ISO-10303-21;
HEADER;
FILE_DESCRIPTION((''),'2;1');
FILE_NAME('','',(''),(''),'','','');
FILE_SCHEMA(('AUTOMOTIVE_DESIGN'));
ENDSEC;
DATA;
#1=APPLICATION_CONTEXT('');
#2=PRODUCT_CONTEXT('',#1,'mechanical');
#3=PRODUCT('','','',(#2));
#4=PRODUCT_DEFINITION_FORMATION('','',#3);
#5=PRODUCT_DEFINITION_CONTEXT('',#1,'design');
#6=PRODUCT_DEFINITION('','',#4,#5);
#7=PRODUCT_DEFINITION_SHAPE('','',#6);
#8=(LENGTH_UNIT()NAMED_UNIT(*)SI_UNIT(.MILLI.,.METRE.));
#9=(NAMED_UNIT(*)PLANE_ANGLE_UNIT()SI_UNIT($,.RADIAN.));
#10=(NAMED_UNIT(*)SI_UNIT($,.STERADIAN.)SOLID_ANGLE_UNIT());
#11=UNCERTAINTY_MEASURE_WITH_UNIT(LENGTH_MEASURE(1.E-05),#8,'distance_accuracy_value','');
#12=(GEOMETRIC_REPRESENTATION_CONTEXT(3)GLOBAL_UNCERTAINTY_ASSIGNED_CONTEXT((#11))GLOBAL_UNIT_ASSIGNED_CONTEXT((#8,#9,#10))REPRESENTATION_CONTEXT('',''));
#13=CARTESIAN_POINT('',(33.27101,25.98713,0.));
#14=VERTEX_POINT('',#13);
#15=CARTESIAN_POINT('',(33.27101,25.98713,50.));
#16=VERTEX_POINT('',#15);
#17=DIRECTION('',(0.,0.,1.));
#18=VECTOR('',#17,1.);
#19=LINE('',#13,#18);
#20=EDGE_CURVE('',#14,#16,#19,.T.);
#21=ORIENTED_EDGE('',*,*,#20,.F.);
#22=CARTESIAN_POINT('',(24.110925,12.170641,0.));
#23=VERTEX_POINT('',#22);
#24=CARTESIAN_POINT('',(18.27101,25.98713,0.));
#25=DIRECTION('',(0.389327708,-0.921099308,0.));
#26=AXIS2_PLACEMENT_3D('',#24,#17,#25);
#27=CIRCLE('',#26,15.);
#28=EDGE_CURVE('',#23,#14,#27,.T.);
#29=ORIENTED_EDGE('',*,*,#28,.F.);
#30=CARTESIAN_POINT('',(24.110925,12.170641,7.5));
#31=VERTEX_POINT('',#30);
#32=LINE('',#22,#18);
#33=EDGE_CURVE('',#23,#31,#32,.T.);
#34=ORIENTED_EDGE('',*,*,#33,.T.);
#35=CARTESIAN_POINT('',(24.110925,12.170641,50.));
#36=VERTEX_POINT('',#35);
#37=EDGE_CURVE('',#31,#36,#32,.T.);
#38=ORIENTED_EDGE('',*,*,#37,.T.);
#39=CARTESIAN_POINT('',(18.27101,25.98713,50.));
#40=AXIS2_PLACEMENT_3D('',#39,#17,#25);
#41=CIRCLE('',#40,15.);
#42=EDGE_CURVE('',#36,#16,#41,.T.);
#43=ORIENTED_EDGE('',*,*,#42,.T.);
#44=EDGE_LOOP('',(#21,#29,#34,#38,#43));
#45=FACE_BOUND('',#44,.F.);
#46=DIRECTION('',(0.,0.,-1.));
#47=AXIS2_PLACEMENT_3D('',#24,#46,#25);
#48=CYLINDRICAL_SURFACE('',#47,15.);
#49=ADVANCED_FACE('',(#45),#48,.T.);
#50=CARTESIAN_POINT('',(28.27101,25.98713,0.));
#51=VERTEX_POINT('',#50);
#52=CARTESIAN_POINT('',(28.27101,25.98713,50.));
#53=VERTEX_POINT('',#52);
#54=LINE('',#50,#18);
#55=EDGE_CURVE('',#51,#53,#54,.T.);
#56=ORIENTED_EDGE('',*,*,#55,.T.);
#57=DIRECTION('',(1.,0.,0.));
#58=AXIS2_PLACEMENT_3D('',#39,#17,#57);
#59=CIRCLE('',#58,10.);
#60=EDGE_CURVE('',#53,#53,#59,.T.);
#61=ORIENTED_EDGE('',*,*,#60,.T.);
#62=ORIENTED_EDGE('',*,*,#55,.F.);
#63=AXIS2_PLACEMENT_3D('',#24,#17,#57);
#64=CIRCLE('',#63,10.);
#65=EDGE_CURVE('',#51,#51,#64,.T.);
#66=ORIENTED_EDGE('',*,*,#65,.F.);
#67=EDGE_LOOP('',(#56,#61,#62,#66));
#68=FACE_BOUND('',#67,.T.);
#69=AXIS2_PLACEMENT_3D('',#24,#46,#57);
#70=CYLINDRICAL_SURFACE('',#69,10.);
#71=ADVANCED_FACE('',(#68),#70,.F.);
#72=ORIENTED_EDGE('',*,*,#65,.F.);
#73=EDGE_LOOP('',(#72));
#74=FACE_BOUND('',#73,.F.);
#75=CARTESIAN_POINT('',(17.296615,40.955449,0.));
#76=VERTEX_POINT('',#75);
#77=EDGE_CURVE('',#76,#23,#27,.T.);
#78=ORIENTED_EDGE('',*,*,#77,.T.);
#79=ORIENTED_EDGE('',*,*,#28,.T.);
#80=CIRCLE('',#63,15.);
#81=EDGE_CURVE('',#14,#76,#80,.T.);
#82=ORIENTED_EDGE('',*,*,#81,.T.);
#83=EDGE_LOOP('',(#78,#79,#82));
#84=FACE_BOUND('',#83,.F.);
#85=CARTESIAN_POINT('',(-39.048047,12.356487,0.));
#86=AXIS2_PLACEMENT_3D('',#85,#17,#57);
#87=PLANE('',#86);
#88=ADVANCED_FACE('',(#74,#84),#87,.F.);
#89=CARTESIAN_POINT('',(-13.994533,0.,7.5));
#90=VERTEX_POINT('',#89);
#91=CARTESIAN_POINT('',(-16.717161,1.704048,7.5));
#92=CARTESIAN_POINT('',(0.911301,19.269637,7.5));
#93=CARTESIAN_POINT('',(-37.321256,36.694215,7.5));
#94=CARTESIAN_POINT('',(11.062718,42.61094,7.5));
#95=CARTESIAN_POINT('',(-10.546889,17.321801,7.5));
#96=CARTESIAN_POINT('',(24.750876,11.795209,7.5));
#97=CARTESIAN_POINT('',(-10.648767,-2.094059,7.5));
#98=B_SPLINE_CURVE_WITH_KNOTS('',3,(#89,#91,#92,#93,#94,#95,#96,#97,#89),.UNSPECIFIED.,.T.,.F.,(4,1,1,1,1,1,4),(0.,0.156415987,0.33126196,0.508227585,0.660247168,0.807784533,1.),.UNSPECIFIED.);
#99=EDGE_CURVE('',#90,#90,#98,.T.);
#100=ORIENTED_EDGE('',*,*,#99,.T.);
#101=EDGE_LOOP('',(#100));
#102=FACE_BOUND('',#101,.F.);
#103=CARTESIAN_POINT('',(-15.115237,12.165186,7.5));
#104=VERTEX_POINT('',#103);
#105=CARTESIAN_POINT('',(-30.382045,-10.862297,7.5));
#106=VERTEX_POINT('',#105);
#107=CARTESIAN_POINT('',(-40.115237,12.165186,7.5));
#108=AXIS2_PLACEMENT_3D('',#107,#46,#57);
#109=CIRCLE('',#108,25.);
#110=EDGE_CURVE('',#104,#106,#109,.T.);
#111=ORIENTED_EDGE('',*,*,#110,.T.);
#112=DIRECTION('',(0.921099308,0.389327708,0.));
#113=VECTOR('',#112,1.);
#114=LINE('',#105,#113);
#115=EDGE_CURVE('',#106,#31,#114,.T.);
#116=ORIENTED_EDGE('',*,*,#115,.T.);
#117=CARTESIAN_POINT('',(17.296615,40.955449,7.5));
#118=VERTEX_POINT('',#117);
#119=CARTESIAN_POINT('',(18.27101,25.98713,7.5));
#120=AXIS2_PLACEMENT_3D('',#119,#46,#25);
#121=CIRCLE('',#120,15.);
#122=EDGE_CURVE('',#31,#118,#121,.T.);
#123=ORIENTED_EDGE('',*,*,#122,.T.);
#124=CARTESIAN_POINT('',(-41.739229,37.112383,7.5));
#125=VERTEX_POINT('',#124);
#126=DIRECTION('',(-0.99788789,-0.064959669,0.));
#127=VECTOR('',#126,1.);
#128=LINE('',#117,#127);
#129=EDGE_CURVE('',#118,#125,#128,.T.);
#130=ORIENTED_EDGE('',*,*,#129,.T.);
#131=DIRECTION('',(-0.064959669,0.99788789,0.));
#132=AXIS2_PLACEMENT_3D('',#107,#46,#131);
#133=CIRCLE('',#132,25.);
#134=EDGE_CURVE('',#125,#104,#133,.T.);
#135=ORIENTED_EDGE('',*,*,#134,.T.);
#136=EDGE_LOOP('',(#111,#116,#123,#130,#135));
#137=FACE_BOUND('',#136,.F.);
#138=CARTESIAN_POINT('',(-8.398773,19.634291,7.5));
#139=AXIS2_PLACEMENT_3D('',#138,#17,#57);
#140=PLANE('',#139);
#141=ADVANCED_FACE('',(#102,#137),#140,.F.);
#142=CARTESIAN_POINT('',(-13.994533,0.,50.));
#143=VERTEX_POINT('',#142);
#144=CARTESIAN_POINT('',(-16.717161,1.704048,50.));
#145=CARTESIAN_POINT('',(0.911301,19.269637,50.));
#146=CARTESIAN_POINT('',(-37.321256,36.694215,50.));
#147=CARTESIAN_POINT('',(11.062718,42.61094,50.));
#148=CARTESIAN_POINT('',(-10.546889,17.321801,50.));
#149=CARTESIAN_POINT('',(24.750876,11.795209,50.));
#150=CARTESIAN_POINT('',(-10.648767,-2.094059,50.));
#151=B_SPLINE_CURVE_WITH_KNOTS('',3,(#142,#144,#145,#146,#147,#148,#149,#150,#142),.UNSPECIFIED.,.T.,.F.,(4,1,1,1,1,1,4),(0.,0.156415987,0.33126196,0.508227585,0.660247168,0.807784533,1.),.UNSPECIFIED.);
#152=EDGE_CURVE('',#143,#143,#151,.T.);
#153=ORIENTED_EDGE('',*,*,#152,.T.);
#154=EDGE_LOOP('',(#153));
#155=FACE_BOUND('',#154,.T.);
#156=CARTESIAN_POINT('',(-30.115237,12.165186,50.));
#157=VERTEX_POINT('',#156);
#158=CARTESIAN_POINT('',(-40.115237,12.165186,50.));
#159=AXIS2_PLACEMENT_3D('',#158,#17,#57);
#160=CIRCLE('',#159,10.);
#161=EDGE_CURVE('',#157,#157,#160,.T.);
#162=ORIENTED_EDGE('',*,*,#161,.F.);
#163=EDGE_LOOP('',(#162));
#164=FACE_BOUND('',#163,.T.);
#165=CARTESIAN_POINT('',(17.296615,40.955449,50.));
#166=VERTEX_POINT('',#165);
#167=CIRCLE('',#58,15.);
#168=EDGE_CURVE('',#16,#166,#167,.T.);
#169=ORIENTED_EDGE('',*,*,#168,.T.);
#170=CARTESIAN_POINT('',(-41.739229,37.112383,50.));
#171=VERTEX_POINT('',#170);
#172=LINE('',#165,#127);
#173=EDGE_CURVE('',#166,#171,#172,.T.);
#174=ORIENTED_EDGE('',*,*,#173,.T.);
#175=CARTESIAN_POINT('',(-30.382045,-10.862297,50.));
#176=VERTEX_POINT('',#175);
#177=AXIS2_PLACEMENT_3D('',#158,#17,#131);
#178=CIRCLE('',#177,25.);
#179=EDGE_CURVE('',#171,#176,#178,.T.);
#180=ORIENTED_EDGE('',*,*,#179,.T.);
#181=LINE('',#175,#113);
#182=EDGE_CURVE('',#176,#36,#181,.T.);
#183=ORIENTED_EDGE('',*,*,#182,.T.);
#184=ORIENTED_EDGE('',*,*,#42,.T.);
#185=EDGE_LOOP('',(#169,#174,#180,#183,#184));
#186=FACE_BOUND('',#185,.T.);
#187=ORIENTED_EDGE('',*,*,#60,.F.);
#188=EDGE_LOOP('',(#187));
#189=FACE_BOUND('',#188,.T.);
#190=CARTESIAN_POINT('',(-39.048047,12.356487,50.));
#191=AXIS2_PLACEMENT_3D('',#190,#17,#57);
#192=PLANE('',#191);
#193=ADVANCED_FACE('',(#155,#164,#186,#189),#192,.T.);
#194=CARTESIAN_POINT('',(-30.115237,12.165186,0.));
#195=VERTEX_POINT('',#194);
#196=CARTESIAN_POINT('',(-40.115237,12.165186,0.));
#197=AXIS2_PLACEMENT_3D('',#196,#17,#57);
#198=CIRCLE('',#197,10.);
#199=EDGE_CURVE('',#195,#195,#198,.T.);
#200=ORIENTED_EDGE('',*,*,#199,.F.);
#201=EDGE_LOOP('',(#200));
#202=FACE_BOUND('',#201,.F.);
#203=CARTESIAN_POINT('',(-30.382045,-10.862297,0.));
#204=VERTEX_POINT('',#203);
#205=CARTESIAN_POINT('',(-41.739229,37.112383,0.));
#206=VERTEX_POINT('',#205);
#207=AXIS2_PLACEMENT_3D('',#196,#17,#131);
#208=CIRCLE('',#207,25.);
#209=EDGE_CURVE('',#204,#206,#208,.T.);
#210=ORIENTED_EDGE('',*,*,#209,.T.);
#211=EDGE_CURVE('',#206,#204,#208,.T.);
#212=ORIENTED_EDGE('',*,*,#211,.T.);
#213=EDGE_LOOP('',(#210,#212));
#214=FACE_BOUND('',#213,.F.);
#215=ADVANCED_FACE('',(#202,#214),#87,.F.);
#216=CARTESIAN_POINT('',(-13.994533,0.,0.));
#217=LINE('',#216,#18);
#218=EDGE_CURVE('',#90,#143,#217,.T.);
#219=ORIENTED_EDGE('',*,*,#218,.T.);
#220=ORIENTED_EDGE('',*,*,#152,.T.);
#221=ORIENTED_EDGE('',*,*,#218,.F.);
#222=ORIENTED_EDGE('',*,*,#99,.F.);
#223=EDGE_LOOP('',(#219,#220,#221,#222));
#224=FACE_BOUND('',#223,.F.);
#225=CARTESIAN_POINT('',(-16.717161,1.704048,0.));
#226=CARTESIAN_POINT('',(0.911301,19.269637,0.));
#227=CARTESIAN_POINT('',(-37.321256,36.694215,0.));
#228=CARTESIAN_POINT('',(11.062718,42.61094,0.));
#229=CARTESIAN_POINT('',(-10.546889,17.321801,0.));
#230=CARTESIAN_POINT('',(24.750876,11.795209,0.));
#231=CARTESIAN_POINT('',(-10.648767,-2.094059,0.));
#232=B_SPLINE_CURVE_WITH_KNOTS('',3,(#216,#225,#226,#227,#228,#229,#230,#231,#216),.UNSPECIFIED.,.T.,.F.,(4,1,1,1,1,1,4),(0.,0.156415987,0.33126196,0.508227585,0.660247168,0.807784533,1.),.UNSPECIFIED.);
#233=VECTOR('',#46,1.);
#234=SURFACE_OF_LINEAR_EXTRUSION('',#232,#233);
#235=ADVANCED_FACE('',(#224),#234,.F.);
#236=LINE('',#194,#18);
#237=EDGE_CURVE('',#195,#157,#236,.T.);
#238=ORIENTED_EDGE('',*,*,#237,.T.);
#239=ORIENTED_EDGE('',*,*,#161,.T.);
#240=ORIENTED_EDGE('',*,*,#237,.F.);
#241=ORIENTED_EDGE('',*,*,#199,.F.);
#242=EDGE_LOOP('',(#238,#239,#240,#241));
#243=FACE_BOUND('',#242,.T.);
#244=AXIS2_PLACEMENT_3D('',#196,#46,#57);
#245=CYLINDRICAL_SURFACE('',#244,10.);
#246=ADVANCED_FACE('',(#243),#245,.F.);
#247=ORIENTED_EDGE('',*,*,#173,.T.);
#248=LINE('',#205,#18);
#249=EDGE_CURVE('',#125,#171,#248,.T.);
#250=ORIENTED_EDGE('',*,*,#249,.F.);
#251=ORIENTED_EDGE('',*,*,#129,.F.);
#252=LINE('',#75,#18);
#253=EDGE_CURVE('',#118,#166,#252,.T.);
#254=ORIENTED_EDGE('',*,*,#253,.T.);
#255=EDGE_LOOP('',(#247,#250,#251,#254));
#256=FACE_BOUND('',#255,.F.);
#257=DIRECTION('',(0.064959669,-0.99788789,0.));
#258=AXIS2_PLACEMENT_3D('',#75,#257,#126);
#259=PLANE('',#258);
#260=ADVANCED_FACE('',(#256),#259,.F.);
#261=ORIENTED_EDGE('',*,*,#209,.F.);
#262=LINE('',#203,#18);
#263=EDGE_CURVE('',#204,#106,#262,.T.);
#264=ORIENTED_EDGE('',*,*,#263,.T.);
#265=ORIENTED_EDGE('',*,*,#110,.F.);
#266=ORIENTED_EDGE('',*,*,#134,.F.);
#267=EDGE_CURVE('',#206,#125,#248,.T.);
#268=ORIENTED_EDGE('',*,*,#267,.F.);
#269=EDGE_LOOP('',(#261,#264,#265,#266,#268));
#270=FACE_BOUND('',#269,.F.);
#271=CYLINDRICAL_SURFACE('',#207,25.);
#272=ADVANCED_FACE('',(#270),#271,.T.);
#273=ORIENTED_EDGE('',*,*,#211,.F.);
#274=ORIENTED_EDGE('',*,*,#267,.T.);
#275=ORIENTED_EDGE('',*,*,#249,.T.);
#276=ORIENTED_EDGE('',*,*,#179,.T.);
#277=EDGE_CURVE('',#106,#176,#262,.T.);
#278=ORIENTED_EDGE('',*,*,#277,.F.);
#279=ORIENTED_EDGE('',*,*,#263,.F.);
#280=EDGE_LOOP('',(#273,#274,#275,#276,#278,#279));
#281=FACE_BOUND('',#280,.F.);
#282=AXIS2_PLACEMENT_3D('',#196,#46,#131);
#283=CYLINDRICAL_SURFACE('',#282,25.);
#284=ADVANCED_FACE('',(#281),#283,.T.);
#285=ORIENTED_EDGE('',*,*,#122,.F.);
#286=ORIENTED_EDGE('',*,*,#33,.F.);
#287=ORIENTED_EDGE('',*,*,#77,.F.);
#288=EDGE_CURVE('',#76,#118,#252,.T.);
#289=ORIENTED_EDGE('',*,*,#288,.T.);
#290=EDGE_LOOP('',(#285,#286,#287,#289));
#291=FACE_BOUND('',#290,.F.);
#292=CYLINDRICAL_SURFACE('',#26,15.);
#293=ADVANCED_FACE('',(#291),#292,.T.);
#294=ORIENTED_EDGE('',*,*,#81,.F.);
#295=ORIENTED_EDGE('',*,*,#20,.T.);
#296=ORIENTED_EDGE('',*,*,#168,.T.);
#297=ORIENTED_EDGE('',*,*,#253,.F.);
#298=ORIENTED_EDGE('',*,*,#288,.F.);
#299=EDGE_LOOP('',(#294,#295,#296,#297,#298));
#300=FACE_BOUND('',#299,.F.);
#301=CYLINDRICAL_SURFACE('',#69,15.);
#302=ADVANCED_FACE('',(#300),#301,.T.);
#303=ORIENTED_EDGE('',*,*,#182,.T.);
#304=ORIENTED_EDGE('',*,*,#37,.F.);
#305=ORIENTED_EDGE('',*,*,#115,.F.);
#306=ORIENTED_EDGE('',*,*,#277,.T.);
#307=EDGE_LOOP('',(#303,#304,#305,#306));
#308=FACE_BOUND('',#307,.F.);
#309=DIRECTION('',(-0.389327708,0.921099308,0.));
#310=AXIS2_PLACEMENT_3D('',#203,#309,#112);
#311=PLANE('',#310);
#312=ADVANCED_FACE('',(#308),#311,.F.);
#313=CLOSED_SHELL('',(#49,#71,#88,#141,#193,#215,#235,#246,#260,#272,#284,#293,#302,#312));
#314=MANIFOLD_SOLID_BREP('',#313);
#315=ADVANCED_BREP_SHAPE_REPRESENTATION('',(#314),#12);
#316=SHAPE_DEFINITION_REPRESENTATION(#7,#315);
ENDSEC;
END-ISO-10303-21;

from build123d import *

# Parameters (mm, degrees)
F0_R     = 10
F1_DEPTH = 50
F2_DEPTH = 7.5


with BuildPart() as f1:
    # F0 (on Top) → F1 (new body)
    with BuildSketch(Plane.XY):
        with BuildLine():
            ThreePointArc((-30.3820447475, -10.8622971323), (-19.2786132278, -1.649121908), (-15.1152374433, 12.1651855774))
            ThreePointArc((-15.1152374433, 12.1651855774), (-23.0213758686, 30.4079895414), (-41.7392291606, 37.1123828329))
            ThreePointArc((-41.7392291606, 37.1123828329), (-64.4428403784, 6.4060419404), (-30.3820447475, -10.8622971323))
        make_face()
        with Locations((-40.1152374433, 12.1651855774)):
            Circle(F0_R, mode=Mode.SUBTRACT)
        with BuildLine():
            ThreePointArc((-41.7392291606, 37.1123828329), (-23.0213758686, 30.4079895414), (-15.1152374433, 12.1651855774))
            ThreePointArc((-15.1152374433, 12.1651855774), (-19.2786132278, -1.649121908), (-30.3820447475, -10.8622971323))
            Line((-30.3820447475, -10.8622971323), (24.1109252184, 12.1706406806))
            ThreePointArc((24.1109252184, 12.1706406806), (3.6744478399, 22.5316441242), (17.2966145705, 40.9554486597))
            Line((17.2966145705, 40.9554486597), (-41.7392291606, 37.1123828329))
        make_face()
        with BuildLine():
            add(Edge.make_bspline(
                [(-13.9945326373, 0), (-16.7171610106, 1.704047552), (0.9113013113, 19.2696373943), (-37.321255861, 36.694214527), (11.0627180439, 42.6109395512), (-10.5468886078, 17.3218012801), (24.750875867, 11.7952092336), (-10.6487666688, -2.0940589484), (-13.9945326373, 0)],
                knots=[0, 0, 0, 0, 0.1564159867, 0.3312619603, 0.5082275848, 0.6602471681, 0.8077845327, 1, 1, 1, 1], degree=3))
        make_face(mode=Mode.SUBTRACT)
        with BuildLine():
            ThreePointArc((33.2710096009, 25.9871303064), (28.5273265457, 36.9328126848), (17.2966145705, 40.9554486597))
            ThreePointArc((17.2966145705, 40.9554486597), (3.6744478399, 22.5316441242), (24.1109252184, 12.1706406806))
            ThreePointArc((24.1109252184, 12.1706406806), (30.7729841302, 17.6985458151), (33.2710096009, 25.9871303064))
        make_face()
        with Locations((18.2710096009, 25.9871303064)):
            Circle(F0_R, mode=Mode.SUBTRACT)
    extrude(amount=F1_DEPTH)

    # F0 (on Top) → F2 (cut, symmetric)
    with BuildSketch(Plane.XY):
        with BuildLine():
            ThreePointArc((-41.7392291606, 37.1123828329), (-23.0213758686, 30.4079895414), (-15.1152374433, 12.1651855774))
            ThreePointArc((-15.1152374433, 12.1651855774), (-19.2786132278, -1.649121908), (-30.3820447475, -10.8622971323))
            Line((-30.3820447475, -10.8622971323), (24.1109252184, 12.1706406806))
            ThreePointArc((24.1109252184, 12.1706406806), (3.6744478399, 22.5316441242), (17.2966145705, 40.9554486597))
            Line((17.2966145705, 40.9554486597), (-41.7392291606, 37.1123828329))
        make_face()
        with BuildLine():
            add(Edge.make_bspline(
                [(-13.9945326373, 0), (-16.7171610106, 1.704047552), (0.9113013113, 19.2696373943), (-37.321255861, 36.694214527), (11.0627180439, 42.6109395512), (-10.5468886078, 17.3218012801), (24.750875867, 11.7952092336), (-10.6487666688, -2.0940589484), (-13.9945326373, 0)],
                knots=[0, 0, 0, 0, 0.1564159867, 0.3312619603, 0.5082275848, 0.6602471681, 0.8077845327, 1, 1, 1, 1], degree=3))
        make_face(mode=Mode.SUBTRACT)
    extrude(amount=F2_DEPTH, both=True, mode=Mode.SUBTRACT)


solid = f1.part
